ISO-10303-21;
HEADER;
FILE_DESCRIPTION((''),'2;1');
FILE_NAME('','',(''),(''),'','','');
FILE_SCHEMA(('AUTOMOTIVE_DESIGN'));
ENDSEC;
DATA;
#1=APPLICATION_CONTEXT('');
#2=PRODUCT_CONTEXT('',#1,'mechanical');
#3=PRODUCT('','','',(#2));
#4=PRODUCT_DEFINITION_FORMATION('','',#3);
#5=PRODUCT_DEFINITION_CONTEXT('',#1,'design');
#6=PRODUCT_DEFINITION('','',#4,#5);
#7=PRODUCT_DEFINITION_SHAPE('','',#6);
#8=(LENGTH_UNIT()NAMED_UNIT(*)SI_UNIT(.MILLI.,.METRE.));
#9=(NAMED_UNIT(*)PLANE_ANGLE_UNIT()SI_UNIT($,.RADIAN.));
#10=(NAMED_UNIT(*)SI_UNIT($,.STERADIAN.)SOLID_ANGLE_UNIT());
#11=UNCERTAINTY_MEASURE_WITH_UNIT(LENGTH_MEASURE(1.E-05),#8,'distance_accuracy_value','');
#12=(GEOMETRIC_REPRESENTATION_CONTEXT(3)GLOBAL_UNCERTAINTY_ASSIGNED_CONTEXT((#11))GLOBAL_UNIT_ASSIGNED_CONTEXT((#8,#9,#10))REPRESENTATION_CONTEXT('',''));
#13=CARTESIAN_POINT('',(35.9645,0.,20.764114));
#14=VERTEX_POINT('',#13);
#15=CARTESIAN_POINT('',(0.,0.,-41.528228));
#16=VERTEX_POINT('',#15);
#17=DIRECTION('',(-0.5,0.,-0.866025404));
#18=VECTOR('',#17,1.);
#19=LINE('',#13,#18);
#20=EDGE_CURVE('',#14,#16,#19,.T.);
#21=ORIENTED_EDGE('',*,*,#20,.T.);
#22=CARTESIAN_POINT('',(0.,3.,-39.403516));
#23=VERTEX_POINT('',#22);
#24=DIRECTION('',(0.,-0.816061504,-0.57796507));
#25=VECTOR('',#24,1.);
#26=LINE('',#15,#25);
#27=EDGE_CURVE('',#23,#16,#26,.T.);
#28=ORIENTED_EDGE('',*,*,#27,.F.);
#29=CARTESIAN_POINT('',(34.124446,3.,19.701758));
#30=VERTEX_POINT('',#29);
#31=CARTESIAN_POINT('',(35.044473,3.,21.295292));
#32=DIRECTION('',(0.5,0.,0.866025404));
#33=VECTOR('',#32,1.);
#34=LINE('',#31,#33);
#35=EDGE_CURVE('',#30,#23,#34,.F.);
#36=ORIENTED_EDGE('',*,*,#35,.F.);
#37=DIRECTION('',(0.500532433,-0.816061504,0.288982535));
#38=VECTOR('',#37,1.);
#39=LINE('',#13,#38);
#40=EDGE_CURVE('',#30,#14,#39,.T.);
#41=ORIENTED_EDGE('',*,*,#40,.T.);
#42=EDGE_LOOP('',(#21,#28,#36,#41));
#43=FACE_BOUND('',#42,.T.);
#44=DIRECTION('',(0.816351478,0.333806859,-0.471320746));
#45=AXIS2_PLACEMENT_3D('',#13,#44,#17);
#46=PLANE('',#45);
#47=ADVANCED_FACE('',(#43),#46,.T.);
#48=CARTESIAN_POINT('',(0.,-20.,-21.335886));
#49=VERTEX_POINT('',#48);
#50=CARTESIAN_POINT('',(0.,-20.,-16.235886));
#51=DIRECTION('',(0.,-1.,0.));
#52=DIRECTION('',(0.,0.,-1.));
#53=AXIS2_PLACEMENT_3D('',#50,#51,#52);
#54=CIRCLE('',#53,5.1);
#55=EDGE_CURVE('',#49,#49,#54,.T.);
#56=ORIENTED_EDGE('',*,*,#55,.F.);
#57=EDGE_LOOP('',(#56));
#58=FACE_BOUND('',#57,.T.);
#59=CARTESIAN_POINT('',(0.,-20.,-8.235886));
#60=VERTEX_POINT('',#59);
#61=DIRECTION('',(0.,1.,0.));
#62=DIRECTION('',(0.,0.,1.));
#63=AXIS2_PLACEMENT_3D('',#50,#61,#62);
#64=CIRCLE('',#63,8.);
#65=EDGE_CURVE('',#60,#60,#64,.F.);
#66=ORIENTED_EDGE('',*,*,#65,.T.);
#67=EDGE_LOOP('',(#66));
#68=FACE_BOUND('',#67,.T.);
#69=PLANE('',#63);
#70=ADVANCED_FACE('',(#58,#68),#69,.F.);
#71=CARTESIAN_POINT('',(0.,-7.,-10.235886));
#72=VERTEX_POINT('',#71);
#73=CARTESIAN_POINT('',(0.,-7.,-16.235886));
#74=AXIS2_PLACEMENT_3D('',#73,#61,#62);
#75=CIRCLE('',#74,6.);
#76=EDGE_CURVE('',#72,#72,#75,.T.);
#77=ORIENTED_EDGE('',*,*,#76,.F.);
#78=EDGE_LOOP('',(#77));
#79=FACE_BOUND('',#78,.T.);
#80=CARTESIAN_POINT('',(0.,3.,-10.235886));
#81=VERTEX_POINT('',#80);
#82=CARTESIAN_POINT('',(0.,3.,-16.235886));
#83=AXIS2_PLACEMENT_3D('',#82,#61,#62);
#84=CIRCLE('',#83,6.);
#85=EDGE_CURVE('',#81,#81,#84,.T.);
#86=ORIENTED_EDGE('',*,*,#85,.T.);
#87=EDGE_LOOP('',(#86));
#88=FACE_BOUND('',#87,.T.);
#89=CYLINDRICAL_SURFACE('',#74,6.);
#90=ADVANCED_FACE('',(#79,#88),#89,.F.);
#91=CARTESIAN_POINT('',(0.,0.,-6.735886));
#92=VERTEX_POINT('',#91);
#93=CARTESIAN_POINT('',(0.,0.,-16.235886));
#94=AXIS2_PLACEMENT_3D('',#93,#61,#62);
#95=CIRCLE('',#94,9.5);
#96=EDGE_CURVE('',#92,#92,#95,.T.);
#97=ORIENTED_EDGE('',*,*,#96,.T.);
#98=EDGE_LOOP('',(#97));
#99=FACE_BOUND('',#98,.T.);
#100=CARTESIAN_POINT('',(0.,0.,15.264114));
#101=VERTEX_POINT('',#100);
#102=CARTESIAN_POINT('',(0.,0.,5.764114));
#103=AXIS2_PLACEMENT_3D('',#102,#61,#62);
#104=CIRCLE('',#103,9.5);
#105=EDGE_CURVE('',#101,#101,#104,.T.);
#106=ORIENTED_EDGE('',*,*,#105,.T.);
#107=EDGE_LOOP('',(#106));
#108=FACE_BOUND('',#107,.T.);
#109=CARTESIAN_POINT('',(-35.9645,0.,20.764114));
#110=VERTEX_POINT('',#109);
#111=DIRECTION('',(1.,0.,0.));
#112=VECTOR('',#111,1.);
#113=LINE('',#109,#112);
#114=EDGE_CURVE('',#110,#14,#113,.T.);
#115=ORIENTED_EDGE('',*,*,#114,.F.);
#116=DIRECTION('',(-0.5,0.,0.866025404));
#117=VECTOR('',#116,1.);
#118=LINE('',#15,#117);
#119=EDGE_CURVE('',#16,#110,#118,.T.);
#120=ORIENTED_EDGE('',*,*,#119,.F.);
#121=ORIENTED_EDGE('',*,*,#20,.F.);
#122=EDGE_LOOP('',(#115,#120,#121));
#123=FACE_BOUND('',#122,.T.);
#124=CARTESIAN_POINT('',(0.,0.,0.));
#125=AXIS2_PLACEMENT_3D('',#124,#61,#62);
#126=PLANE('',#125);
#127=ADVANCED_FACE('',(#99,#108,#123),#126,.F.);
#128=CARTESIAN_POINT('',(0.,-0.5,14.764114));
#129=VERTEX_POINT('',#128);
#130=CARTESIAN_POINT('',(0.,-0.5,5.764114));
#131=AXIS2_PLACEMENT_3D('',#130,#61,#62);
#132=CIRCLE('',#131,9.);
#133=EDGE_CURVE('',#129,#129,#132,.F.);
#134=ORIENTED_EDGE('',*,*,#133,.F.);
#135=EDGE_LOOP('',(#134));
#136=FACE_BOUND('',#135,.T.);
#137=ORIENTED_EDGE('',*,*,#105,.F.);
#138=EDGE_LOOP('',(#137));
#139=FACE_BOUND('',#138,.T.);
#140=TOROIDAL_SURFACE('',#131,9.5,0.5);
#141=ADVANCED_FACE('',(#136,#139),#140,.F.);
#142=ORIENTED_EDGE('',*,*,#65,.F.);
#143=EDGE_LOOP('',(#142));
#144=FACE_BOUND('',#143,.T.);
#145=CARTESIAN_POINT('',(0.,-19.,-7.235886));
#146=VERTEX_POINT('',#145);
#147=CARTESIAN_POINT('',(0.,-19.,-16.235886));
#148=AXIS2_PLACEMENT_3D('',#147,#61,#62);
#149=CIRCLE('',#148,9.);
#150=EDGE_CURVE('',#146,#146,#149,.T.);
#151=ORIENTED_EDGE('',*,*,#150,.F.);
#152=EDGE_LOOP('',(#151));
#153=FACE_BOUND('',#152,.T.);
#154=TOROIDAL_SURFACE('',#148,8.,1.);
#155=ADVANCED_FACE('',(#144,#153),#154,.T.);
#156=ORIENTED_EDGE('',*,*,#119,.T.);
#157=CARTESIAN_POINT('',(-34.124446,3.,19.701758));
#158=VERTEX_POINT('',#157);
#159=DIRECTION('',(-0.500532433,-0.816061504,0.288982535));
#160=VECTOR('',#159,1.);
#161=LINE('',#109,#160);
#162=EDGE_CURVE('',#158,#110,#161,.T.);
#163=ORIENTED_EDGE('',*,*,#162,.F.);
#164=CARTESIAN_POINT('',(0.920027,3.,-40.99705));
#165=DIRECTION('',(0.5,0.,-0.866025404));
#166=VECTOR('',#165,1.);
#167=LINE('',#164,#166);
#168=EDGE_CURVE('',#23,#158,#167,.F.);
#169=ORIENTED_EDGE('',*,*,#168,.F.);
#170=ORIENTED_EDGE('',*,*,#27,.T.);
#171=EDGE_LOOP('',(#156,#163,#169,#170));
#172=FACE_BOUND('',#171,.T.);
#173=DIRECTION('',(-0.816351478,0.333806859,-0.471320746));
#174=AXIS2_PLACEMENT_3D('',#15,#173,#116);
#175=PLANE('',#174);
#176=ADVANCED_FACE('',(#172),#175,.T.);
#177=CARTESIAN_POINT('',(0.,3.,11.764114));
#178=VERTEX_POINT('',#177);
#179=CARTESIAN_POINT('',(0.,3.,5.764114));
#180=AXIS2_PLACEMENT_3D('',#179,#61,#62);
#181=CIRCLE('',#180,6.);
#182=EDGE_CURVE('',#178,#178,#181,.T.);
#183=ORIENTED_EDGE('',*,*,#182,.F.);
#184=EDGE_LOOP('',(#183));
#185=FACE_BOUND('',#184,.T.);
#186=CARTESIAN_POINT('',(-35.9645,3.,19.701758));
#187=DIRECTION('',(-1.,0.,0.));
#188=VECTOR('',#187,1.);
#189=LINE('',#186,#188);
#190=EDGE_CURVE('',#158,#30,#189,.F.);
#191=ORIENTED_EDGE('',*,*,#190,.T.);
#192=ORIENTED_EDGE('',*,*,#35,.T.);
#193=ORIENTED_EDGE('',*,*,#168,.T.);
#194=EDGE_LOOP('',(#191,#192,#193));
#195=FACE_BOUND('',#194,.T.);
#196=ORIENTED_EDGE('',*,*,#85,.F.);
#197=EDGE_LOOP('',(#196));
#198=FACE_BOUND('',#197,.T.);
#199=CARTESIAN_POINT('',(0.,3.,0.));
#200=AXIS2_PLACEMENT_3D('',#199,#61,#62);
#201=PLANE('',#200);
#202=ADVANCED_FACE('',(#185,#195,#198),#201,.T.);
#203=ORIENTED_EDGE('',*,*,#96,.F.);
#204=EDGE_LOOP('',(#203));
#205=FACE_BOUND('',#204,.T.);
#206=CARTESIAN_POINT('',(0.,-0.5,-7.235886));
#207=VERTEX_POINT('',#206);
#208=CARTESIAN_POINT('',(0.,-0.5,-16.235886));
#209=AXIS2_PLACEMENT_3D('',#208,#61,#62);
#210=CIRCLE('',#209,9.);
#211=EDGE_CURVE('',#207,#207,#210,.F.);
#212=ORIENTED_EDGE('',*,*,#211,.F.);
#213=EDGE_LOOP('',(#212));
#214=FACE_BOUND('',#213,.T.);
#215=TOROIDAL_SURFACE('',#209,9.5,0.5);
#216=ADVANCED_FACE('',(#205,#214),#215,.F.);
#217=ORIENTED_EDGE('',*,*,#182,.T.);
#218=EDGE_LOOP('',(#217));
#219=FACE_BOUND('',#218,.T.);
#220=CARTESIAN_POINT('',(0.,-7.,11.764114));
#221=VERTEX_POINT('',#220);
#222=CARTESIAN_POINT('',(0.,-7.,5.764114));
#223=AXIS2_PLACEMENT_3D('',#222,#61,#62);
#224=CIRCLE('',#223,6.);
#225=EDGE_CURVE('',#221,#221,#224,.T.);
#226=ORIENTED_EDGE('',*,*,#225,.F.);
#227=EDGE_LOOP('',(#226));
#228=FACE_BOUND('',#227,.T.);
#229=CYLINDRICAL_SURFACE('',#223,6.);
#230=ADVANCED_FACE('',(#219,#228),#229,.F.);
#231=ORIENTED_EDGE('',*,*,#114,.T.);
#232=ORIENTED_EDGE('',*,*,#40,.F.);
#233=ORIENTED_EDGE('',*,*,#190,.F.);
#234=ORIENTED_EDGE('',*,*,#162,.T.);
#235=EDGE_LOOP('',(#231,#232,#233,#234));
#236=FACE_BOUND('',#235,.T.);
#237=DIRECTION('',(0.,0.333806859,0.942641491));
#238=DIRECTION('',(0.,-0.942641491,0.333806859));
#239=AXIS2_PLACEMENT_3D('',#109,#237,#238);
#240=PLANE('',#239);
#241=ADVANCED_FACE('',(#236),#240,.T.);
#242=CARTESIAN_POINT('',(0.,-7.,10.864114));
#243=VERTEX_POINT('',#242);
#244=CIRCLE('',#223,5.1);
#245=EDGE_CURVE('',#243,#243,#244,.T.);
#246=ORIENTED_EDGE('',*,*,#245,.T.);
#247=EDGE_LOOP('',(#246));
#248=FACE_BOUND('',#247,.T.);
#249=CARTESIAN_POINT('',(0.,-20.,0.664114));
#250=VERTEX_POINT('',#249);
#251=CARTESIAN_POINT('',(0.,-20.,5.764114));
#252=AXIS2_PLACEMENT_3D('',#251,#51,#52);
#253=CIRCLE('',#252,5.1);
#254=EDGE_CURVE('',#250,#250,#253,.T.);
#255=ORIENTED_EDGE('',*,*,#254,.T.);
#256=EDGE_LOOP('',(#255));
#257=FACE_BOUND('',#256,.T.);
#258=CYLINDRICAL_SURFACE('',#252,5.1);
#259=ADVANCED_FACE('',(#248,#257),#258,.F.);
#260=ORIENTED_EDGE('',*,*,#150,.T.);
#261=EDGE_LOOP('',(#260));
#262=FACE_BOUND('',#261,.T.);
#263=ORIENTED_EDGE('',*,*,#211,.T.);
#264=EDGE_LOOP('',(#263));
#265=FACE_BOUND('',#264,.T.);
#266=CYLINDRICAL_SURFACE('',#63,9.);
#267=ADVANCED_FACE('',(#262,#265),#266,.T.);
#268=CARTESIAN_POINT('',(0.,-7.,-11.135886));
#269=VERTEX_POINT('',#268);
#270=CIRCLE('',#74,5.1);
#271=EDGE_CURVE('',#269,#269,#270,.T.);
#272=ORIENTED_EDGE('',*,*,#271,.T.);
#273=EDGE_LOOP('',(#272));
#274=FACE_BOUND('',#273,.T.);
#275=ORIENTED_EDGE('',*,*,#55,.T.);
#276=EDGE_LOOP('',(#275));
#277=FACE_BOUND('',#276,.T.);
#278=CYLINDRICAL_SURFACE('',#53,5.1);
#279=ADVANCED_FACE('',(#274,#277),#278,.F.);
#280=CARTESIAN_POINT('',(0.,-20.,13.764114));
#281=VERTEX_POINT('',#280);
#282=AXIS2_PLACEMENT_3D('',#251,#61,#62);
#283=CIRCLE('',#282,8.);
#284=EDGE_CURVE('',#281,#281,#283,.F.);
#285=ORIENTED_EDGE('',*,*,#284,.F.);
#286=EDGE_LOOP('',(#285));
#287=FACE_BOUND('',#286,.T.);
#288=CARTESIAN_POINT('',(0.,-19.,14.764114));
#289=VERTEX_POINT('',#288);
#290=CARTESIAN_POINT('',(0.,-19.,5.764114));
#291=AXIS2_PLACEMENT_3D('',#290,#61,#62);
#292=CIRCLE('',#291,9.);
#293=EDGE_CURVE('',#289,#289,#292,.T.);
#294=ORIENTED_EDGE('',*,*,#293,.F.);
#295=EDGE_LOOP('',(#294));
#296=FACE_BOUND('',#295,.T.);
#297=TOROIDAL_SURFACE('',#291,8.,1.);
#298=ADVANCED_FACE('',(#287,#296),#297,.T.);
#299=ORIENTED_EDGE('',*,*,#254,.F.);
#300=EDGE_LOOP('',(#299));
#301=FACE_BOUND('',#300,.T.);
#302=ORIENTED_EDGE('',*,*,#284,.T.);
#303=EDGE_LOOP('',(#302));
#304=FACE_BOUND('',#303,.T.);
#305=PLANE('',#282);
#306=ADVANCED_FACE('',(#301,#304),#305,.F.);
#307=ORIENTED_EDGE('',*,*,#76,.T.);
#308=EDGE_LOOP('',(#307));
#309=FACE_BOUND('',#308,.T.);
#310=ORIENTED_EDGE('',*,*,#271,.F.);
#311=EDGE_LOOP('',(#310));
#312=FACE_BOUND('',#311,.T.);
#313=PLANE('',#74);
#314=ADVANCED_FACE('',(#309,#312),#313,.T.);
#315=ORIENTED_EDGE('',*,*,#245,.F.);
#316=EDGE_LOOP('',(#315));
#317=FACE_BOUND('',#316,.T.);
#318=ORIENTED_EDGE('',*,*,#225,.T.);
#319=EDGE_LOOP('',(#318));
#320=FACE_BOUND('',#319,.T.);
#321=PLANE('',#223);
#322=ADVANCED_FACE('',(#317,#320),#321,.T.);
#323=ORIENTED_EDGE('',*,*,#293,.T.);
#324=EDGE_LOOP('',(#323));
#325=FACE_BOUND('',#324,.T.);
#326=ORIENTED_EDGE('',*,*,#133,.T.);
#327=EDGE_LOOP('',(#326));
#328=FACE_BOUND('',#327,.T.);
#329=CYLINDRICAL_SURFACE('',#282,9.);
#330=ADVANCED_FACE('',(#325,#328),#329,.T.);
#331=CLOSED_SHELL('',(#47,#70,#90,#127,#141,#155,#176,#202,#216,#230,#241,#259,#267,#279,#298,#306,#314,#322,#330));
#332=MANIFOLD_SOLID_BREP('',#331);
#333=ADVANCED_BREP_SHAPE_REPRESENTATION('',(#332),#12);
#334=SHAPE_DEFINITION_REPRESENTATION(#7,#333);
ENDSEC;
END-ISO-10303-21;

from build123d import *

# Parameters (mm, degrees)
BOSS_EXTRUDE1_DEPTH    = 3
BOSS_EXTRUDE1_TAPER    = 19.5
BOSS_EXTRUDE2_START    = -3
SKETCH3_R              = 9
BOSS_EXTRUDE2_DEPTH    = 20
SKETCH4_R              = 6
CUT_EXTRUDE1_DEPTH     = 10
M12_TAPPED_HOLE1_D     = 10.2
FILLET1_R              = 1
FILLET2_R              = 0.5
LPATTERN1_COUNT        = 2
LPATTERN1_PITCH        = 22
FILLET1_OF_LPATTERN1_R = 1
FILLET2_OF_LPATTERN1_R = 0.5


with BuildPart() as part:
    # Sketch1 → Boss-Extrude1 (new body)
    with BuildSketch(Plane(origin=(0, 0, 0), x_dir=(1, 0, 0), z_dir=(0, 1, 0))):
        Polygon((0, 41.528227513), (-35.9645, -20.764113756), (35.9645, -20.764113756), align=None)
    extrude(amount=BOSS_EXTRUDE1_DEPTH, taper=BOSS_EXTRUDE1_TAPER)

    # Sketch3 → Boss-Extrude2 (add)
    with BuildSketch(Plane(origin=(0, 3, 0), x_dir=(1, 0, 0), z_dir=(0, 1, 0)).offset(BOSS_EXTRUDE2_START)):
        with Locations(Location((0, 16.235886244, 0), (0, 0, 270))):
            Circle(SKETCH3_R)
    boss_extrude2 = extrude(amount=-BOSS_EXTRUDE2_DEPTH)

    # Sketch4 → Cut-Extrude1 (cut)
    with BuildSketch(Plane(origin=(0, 3, 0), x_dir=(1, 0, 0), z_dir=(0, 1, 0))):
        with Locations(Location((0, 16.235886244, 0), (0, 0, 270))):
            Circle(SKETCH4_R)
    cut_extrude1 = extrude(amount=-CUT_EXTRUDE1_DEPTH, mode=Mode.SUBTRACT)

    # M12 Tapped Hole1 (through all)
    with Locations(Plane(origin=(0, -20, 0), x_dir=(-1, 0, 0), z_dir=(0, -1, 0))):
        with Locations((0, 16.235886244)):
            m12_tapped_hole1 = Hole(M12_TAPPED_HOLE1_D / 2)

    # Fillet1
    fillet1_edges = [part.edges().sort_by_distance(p)[0] for p in [
        (0, -20, -25.235886244),
    ]]
    fillet(fillet1_edges, radius=FILLET1_R)

    # Fillet2
    fillet2_edges = [part.edges().sort_by_distance(p)[0] for p in [
        (0, 0, -25.235886244),
    ]]
    fillet(fillet2_edges, radius=FILLET2_R)

    # LPattern1: Boss-Extrude2, Cut-Extrude1, M12 Tapped Hole1 ×2
    with Locations(*[(0, 0, i * LPATTERN1_PITCH) for i in range(1, LPATTERN1_COUNT)]):
        add(boss_extrude2)
        add(cut_extrude1, mode=Mode.SUBTRACT)
        add(m12_tapped_hole1, mode=Mode.SUBTRACT)

    # Fillet1 of LPattern1
    fillet1_of_lpattern1_edges = [part.edges().sort_by_distance(p)[0] for p in [
        (0, -20, -3.235886244),
    ]]
    fillet(fillet1_of_lpattern1_edges, radius=FILLET1_OF_LPATTERN1_R)

    # Fillet2 of LPattern1
    fillet2_of_lpattern1_edges = [part.edges().sort_by_distance(p)[0] for p in [
        (0, 0, -3.235886244),
    ]]
    fillet(fillet2_of_lpattern1_edges, radius=FILLET2_OF_LPATTERN1_R)


solid = part.part
